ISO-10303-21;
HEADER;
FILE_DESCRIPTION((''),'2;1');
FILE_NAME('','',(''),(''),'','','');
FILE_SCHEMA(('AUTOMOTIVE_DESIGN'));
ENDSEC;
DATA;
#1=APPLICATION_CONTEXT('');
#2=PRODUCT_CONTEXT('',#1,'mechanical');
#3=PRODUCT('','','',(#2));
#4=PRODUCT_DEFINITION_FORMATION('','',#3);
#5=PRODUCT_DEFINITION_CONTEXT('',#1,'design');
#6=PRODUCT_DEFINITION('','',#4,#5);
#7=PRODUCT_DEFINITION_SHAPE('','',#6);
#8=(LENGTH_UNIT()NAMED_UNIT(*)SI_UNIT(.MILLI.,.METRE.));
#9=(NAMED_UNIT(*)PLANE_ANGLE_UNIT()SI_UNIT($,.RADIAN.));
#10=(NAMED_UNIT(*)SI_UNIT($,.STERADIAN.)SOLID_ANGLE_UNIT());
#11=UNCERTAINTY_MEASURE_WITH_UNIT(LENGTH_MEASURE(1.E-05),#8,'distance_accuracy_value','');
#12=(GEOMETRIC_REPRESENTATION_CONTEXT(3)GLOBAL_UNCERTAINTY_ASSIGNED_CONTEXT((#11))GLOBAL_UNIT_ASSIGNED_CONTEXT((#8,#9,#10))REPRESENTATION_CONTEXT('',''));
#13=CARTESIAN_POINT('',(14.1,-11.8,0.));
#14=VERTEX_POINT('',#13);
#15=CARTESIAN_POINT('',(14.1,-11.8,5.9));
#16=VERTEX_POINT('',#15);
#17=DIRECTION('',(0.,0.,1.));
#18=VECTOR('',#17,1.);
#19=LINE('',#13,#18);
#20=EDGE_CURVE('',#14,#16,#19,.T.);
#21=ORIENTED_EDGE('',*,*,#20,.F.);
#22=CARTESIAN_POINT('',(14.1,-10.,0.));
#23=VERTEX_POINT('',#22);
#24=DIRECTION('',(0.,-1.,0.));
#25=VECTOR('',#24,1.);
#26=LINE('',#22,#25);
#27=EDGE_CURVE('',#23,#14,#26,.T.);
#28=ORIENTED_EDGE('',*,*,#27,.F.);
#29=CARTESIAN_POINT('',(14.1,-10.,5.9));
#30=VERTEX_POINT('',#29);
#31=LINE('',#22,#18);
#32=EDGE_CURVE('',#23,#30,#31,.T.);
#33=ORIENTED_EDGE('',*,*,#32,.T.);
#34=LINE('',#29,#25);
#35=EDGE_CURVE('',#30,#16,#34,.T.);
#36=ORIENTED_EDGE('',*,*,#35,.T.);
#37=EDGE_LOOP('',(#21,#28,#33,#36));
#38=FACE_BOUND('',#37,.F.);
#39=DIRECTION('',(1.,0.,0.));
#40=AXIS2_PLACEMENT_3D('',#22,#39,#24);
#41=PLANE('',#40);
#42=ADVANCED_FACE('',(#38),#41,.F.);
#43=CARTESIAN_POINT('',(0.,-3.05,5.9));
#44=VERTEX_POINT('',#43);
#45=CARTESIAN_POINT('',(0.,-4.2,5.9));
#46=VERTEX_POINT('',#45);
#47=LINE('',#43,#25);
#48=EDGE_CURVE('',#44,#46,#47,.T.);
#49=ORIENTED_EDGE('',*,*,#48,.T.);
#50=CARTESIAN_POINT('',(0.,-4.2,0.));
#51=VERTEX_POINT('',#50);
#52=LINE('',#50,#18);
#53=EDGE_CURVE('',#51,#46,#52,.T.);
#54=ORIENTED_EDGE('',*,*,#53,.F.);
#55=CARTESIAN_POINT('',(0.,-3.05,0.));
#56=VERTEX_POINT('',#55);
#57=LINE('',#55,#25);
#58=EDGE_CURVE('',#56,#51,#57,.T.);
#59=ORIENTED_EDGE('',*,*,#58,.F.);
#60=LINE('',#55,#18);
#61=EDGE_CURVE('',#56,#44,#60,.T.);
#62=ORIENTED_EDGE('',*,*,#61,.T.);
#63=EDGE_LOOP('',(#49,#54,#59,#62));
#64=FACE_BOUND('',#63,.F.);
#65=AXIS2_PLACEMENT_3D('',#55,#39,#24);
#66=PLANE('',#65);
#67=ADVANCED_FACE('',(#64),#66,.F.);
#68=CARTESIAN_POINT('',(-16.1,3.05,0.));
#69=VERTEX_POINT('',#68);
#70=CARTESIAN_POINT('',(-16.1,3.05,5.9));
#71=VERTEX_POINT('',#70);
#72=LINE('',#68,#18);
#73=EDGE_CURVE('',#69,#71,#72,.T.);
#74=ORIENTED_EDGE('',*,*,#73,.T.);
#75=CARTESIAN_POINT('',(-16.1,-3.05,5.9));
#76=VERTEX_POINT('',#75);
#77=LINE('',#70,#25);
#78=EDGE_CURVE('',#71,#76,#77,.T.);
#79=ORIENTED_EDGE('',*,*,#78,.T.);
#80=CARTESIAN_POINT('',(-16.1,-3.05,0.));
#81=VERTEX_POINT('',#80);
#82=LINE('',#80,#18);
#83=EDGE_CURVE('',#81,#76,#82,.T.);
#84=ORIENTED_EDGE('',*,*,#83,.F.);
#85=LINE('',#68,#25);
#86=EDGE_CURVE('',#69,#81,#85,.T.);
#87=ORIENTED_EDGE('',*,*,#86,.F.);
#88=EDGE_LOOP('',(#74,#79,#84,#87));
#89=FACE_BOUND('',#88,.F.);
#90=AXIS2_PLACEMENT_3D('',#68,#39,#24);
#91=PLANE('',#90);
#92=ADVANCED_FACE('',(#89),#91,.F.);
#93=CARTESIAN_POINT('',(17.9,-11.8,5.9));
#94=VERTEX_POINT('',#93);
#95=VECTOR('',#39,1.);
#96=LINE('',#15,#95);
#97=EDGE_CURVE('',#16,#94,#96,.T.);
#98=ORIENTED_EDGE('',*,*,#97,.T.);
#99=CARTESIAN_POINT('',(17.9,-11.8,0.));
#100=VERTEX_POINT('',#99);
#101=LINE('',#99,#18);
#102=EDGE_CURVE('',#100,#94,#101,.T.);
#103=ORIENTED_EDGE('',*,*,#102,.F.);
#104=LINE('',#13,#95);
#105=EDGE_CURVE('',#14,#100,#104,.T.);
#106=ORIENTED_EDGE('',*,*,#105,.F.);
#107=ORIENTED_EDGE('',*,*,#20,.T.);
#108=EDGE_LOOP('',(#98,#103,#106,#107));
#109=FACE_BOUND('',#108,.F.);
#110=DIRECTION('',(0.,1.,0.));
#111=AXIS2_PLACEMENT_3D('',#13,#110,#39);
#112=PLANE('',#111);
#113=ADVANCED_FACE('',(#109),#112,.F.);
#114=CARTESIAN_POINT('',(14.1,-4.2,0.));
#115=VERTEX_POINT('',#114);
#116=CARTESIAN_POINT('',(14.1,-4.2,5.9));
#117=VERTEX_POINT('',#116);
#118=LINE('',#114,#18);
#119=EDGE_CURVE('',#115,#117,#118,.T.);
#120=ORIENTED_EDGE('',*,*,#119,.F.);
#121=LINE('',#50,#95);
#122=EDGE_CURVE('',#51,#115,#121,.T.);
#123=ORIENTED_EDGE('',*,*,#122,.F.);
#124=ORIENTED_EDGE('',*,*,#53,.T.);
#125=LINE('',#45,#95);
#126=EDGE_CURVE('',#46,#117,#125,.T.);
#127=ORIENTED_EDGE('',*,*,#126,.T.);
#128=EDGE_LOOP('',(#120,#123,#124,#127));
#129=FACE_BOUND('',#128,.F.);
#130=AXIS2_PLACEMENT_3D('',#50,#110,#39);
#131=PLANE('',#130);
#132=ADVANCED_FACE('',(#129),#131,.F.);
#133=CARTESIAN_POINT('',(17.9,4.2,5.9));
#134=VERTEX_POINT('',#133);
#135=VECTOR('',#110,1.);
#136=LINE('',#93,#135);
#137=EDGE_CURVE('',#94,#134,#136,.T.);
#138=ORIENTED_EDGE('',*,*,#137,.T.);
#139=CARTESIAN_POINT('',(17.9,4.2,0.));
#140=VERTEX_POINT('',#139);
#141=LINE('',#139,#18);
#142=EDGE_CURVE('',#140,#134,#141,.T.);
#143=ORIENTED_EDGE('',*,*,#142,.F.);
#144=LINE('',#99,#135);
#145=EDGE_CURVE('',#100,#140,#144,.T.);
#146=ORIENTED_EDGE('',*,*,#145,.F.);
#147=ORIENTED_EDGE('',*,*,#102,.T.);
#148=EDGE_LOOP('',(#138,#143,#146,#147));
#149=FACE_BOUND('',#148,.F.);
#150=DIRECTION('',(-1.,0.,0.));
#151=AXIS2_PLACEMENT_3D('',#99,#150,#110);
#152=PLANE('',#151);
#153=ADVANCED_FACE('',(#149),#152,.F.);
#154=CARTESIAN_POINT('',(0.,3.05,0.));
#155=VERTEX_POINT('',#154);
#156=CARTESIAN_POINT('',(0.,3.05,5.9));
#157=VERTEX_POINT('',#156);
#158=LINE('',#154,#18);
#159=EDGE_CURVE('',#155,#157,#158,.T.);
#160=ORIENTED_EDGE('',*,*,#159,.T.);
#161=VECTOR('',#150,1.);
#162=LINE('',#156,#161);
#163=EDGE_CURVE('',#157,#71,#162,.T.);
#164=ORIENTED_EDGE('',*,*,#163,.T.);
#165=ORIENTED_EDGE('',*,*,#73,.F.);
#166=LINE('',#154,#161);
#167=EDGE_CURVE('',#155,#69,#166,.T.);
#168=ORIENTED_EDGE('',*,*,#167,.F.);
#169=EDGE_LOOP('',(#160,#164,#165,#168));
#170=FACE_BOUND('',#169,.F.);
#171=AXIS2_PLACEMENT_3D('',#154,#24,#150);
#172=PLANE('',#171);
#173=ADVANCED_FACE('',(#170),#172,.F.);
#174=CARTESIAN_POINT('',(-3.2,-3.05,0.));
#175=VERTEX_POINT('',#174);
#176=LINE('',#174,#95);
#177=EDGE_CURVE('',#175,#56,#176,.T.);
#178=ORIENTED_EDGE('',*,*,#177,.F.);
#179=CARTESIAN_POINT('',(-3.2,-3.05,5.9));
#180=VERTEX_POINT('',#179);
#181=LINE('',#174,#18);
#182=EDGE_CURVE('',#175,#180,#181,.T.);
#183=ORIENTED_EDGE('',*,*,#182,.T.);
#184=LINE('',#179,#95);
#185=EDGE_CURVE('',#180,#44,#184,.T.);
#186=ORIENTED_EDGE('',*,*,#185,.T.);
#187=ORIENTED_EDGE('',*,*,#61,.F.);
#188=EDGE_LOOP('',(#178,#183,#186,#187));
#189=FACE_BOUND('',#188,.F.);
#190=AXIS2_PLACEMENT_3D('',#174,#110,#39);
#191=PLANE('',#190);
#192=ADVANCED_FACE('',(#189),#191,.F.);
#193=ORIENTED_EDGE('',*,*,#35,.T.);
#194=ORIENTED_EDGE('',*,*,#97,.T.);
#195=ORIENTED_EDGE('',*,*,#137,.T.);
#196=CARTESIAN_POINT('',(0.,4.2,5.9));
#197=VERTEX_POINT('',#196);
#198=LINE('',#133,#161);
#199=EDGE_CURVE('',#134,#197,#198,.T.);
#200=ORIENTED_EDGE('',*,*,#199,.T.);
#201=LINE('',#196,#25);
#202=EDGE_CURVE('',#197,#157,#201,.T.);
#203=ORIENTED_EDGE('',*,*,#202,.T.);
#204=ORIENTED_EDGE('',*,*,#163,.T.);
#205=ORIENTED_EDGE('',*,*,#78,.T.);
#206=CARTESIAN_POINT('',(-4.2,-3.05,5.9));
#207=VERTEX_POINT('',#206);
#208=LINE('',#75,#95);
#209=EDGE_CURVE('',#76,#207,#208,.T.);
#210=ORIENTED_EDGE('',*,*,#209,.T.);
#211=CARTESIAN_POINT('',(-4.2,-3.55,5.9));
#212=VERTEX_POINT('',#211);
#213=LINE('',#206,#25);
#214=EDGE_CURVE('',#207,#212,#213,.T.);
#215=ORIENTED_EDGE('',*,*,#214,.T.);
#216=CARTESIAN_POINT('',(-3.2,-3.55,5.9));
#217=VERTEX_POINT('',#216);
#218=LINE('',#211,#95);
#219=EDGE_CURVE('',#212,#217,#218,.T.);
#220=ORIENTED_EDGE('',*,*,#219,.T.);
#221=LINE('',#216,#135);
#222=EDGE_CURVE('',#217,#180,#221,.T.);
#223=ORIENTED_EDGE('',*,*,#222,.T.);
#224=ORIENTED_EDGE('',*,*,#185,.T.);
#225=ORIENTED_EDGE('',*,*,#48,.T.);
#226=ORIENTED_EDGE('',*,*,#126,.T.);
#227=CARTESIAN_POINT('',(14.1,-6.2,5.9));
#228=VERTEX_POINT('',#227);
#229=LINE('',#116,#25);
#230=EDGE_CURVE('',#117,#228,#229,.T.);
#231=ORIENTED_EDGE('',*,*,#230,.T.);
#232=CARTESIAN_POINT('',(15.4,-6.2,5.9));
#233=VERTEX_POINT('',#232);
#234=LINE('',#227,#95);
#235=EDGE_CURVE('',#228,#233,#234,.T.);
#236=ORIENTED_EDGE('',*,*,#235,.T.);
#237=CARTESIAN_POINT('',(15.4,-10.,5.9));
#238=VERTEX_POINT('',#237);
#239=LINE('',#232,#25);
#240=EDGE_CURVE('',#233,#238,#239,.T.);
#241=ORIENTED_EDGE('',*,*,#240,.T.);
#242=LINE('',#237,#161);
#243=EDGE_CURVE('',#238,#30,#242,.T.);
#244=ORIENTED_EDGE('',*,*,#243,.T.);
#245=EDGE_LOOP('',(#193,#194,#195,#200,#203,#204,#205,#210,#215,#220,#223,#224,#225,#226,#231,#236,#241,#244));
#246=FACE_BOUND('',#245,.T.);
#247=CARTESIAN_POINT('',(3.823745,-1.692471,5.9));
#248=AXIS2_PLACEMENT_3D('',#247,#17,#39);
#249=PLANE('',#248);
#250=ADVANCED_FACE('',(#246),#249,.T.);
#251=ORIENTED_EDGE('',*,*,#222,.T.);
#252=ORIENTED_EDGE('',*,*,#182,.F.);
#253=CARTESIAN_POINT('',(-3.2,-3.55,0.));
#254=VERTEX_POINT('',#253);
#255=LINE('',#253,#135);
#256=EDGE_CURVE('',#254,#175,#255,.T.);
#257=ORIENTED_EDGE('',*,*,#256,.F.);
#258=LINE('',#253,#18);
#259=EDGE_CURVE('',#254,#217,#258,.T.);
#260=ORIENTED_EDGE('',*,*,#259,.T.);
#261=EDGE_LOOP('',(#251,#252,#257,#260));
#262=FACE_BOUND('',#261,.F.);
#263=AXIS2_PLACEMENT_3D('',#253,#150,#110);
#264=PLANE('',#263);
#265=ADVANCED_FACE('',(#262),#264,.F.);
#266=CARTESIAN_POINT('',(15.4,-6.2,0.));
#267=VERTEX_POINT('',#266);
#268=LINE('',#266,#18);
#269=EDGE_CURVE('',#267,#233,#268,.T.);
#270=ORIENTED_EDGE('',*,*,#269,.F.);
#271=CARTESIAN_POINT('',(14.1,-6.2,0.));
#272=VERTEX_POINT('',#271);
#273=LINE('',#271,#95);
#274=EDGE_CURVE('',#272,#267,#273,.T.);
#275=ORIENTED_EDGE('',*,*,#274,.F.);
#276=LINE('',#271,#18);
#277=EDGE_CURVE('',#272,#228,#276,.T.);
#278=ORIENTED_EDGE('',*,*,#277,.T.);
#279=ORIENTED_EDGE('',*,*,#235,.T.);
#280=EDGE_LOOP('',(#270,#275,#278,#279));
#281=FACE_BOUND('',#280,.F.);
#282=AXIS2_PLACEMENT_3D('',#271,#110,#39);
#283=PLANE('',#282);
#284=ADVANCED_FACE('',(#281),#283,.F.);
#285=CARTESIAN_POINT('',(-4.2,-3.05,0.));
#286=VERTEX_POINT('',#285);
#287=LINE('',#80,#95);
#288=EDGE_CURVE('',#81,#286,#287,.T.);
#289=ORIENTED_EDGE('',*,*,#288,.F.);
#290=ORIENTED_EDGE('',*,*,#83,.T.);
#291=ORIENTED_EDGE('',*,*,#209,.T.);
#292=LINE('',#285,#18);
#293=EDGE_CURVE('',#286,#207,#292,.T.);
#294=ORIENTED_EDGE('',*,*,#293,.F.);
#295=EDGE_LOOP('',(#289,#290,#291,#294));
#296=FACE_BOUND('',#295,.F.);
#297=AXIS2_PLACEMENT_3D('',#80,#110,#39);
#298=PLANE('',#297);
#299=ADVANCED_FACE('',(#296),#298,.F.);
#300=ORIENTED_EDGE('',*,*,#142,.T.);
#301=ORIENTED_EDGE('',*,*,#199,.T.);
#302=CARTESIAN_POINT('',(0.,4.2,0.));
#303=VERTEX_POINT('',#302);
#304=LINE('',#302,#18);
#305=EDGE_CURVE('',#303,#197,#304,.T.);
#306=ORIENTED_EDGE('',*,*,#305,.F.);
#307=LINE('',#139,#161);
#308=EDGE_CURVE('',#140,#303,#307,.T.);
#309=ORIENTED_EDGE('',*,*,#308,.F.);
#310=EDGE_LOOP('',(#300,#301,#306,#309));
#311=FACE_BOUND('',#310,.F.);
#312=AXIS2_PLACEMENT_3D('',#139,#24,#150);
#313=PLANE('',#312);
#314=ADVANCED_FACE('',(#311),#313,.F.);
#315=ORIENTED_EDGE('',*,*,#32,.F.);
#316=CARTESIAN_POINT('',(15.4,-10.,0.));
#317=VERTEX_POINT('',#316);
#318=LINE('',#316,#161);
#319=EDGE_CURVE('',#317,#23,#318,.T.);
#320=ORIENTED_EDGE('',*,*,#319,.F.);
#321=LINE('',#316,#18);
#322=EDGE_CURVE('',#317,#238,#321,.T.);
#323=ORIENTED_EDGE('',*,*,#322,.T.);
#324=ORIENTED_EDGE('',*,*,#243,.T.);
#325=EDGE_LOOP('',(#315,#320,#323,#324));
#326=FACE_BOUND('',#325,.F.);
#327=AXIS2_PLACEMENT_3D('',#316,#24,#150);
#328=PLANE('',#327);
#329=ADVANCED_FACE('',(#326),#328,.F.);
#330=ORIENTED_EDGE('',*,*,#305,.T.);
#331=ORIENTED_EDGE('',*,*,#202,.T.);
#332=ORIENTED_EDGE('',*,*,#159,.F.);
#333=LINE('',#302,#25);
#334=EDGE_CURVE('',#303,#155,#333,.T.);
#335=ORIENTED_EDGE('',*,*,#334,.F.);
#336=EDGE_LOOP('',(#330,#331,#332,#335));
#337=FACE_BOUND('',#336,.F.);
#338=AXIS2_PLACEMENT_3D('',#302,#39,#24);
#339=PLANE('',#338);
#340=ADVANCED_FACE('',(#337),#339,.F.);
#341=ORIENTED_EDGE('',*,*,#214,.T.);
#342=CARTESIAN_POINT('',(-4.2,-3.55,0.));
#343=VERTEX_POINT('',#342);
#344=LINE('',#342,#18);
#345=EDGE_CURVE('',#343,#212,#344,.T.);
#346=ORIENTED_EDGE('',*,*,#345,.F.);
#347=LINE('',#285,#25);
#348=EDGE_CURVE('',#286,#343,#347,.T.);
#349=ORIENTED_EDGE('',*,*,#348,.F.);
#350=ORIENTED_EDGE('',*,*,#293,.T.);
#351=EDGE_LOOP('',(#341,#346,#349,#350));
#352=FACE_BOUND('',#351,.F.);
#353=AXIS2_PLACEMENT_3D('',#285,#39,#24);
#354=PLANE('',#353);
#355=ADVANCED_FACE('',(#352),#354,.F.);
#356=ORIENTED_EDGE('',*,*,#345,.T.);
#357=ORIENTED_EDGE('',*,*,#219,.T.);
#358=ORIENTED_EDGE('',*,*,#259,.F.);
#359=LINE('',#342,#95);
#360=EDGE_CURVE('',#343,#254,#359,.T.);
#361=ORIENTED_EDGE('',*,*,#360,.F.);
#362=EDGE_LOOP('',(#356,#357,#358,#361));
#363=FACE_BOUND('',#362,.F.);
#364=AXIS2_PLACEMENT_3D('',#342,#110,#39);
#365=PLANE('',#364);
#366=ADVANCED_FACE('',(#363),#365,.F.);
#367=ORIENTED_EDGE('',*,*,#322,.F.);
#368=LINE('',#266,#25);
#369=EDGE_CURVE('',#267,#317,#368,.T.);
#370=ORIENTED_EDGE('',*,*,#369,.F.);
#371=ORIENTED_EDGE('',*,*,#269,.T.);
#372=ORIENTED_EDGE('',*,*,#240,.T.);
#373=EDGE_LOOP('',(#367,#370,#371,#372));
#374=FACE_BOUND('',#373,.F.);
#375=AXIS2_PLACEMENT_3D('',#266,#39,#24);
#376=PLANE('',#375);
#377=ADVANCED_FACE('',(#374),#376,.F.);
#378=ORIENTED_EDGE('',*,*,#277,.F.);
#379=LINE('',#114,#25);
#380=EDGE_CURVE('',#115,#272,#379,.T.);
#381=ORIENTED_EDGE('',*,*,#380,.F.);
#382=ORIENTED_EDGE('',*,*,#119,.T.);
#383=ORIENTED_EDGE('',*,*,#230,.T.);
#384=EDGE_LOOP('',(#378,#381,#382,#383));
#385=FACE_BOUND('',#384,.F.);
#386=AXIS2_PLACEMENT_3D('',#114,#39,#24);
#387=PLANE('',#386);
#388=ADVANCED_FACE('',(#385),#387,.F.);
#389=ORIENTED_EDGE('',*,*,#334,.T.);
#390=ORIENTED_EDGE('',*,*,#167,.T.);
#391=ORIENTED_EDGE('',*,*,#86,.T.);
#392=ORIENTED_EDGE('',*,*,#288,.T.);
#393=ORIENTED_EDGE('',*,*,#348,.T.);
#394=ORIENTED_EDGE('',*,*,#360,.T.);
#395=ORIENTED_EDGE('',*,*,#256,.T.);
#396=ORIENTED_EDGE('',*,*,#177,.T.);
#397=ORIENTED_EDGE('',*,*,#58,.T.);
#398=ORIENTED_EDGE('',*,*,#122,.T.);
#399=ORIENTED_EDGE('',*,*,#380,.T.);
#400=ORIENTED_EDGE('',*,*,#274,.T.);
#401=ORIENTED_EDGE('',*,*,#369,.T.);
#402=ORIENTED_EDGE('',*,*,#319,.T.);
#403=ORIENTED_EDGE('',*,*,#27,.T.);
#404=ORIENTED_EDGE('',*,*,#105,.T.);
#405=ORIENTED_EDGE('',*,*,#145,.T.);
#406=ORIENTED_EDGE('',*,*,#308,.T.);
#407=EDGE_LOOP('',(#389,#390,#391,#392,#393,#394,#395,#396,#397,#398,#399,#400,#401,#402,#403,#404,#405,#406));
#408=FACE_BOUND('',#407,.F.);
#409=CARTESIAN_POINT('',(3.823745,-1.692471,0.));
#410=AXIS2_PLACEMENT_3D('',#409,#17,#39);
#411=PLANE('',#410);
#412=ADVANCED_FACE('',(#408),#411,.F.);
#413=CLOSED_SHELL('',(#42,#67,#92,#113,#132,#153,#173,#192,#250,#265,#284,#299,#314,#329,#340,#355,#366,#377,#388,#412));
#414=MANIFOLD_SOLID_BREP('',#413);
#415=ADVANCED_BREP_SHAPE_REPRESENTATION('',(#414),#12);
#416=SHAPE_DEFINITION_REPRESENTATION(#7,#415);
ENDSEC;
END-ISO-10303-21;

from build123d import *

# Parameters (mm, degrees)
F1_DEPTH = 5.9


with BuildPart() as f1:
    # F0 (on Top) → F1 (new body)
    with BuildSketch(Plane.XY):
        Polygon((17.9, 4.2), (0, 4.2), (0, 3.05), (-16.1, 3.05), (-16.1, -3.05), (-4.2, -3.05), (-4.2, -3.55), (-3.2, -3.55), (-3.2, -3.05), (0, -3.05), (0, -4.2), (14.1, -4.2), (14.1, -6.2), (15.4, -6.2), (15.4, -10), (14.1, -10), (14.1, -11.8), (17.9, -11.8), align=None)
    extrude(amount=F1_DEPTH)


solid = f1.part
